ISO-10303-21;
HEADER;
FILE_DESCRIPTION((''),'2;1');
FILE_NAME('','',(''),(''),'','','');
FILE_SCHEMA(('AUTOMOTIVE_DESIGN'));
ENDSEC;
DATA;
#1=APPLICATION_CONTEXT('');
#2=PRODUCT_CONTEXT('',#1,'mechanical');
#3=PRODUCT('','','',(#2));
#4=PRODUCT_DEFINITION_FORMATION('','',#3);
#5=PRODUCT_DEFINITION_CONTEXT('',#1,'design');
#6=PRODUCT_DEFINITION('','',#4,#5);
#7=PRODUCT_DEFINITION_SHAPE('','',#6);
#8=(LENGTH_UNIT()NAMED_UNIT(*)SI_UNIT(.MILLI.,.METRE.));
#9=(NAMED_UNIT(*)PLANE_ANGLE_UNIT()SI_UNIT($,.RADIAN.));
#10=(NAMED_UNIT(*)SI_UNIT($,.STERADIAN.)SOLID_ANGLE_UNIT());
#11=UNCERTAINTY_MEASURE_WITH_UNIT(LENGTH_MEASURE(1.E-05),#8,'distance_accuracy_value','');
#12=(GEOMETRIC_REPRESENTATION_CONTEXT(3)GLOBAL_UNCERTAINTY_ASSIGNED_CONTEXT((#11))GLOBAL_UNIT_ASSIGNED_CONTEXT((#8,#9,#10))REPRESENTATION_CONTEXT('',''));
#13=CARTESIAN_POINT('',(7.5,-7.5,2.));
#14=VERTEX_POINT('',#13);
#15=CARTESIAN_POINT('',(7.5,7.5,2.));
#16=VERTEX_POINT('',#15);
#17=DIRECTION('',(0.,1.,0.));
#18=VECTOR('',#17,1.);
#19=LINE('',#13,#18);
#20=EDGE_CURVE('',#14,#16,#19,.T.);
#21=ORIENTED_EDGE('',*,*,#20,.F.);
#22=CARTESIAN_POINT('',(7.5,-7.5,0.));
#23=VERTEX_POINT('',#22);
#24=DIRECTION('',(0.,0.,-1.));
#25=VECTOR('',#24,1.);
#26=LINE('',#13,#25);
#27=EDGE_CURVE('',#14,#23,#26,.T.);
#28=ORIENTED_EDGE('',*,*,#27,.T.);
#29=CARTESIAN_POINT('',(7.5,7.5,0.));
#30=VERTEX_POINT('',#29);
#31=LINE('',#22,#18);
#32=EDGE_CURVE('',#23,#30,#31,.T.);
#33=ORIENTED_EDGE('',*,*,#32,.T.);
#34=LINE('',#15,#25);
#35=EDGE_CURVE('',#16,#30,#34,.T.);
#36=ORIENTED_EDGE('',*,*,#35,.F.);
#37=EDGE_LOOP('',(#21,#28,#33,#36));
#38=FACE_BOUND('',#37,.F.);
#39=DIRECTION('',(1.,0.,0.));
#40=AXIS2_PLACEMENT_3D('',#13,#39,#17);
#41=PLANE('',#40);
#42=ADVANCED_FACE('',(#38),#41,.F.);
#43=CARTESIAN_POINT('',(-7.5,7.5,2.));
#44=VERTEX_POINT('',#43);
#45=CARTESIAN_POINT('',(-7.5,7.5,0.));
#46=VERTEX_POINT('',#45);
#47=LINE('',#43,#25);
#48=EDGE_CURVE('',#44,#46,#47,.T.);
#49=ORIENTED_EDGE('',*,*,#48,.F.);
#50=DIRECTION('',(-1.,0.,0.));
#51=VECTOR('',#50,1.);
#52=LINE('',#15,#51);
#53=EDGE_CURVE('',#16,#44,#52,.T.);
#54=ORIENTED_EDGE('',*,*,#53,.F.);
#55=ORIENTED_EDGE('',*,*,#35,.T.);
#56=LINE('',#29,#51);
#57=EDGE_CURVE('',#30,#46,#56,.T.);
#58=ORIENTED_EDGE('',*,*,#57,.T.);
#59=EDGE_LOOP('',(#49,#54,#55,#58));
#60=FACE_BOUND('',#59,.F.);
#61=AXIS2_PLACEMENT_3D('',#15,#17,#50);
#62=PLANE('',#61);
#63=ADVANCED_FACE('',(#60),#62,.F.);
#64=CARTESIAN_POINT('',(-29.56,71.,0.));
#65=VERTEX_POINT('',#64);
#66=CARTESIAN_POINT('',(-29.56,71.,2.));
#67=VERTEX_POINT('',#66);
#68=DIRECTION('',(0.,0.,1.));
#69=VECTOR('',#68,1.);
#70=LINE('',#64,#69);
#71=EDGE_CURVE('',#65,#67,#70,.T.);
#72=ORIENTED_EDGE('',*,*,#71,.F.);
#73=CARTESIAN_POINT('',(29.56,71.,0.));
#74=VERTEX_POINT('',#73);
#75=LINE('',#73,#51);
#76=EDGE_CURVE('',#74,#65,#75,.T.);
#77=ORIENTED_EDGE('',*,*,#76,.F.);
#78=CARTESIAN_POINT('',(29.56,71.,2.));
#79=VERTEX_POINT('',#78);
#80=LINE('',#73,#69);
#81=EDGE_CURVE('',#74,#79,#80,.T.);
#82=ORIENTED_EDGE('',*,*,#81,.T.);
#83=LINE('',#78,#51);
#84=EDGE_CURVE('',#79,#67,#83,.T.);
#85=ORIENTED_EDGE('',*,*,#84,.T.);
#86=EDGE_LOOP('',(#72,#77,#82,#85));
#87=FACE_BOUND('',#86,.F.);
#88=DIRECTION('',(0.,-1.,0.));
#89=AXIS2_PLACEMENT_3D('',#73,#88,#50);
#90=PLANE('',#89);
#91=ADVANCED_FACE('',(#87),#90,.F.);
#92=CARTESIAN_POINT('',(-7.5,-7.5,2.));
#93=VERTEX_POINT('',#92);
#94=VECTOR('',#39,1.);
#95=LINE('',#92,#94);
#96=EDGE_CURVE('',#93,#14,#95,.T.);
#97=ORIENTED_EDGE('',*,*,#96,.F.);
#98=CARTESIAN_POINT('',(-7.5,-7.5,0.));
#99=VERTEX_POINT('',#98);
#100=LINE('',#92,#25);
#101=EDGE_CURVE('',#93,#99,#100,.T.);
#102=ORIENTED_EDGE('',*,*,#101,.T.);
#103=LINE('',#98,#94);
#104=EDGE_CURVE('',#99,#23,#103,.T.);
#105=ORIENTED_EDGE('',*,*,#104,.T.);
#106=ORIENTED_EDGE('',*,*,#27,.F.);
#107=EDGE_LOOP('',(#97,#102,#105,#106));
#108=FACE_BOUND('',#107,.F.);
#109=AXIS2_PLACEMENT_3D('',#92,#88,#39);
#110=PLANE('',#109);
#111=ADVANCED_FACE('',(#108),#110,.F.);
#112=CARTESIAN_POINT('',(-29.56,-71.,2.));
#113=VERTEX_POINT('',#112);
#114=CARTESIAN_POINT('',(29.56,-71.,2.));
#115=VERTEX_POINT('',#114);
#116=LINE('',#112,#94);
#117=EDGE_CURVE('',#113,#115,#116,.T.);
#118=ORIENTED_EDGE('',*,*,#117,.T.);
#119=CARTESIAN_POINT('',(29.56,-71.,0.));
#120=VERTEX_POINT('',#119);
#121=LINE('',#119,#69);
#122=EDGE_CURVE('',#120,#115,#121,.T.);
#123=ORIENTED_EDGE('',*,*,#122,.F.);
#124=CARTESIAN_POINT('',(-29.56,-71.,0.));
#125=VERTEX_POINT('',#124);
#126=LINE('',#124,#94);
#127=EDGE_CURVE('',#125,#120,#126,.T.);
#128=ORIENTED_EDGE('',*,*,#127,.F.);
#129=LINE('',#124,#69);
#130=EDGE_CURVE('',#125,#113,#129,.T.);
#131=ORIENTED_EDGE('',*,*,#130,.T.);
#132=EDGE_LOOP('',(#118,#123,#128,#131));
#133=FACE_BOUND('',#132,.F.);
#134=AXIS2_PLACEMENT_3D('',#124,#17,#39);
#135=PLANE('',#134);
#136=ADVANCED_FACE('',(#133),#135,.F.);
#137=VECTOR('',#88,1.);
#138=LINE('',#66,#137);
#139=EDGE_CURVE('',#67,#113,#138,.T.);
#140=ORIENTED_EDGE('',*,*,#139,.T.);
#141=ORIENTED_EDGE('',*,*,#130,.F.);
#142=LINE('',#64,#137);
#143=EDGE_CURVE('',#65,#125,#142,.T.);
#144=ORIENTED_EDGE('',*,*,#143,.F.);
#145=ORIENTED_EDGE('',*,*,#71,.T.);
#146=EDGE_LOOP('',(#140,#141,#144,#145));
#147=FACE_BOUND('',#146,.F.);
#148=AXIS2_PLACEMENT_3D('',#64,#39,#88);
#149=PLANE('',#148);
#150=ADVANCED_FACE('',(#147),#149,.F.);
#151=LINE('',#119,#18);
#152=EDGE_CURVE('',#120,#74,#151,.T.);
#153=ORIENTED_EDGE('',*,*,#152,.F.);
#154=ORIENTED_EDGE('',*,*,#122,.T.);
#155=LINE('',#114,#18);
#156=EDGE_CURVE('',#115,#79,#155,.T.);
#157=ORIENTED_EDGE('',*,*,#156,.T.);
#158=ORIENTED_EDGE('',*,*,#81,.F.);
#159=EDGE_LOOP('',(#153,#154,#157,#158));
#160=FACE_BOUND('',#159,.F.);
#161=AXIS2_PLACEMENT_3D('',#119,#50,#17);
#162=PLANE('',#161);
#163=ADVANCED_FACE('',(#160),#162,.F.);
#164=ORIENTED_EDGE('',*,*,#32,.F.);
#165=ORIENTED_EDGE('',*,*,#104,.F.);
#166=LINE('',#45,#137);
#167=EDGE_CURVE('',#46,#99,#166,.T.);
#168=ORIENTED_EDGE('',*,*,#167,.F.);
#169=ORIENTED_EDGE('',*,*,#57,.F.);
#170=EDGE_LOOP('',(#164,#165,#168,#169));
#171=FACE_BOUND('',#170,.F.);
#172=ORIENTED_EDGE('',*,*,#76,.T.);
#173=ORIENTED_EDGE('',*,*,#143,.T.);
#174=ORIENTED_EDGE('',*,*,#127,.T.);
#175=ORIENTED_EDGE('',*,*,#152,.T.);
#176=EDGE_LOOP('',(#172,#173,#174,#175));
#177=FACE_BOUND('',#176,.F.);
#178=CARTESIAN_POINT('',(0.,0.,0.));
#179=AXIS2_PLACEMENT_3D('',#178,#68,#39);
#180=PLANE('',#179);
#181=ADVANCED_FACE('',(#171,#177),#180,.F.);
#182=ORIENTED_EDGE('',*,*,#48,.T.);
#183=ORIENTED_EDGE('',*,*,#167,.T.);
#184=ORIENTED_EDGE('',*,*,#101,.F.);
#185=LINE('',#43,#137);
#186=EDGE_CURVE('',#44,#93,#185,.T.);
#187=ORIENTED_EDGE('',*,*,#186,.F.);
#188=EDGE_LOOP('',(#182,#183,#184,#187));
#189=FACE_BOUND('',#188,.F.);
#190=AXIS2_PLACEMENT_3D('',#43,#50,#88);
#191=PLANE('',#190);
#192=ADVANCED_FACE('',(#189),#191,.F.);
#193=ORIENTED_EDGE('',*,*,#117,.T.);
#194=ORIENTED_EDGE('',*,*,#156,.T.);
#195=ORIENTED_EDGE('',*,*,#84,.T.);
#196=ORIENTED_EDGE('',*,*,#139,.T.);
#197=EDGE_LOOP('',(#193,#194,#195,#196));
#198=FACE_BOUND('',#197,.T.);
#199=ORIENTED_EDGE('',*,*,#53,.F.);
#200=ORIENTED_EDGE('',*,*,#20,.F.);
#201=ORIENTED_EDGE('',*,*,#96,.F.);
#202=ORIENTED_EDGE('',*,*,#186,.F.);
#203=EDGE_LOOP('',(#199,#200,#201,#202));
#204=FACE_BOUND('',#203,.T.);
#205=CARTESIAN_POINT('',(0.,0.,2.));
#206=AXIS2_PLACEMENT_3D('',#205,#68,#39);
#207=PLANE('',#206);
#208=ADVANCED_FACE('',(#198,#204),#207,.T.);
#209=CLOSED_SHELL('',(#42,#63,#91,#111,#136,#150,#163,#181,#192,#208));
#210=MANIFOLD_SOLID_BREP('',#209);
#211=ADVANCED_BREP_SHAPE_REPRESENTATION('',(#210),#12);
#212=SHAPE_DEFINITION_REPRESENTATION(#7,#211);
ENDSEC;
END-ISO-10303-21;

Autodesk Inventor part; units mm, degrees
ref_plane "YZ Plane" through (0, 0, 0) normal (1, 0, 0) x (0, 1, 0)
ref_plane "XZ Plane" through (0, 0, 0) normal (0, 1, 0) x (-1, 0, 0)
ref_plane "XY Plane" through (0, 0, 0) normal (0, 0, 1) x (1, 0, 0)
sketch "Sketch1" plane through (0, 0, 0) normal (0, 0, 1) x (1, 0, 0)
  line L0 (-29.56, -71) -> (29.56, -71)
  line L1 (29.56, -71) -> (29.56, 71)
  line L2 (29.56, 71) -> (-29.56, 71)
  line L3 (-29.56, 71) -> (-29.56, -71)
  line L4 (-29.56, -71) -> (29.56, 71) construction
  line L5 (29.56, -71) -> (-29.56, 71) construction
  point P0 (0, 0)
  dimension "d0" = 142
  dimension "d1" = 59.12
extrude "Extrusion1" add sketch "Sketch1" along normal blind 2
sketch "Sketch2" plane through (0, 0, 2) normal (0, 0, 1) x (1, 0, 0)
  line L0 (-7.5, -7.5) -> (7.5, -7.5)
  line L1 (7.5, -7.5) -> (7.5, 7.5)
  line L2 (7.5, 7.5) -> (-7.5, 7.5)
  line L3 (-7.5, 7.5) -> (-7.5, -7.5)
  line L4 (-7.5, -7.5) -> (7.5, 7.5) construction
  line L5 (7.5, -7.5) -> (-7.5, 7.5) construction
  point P0 (0, 0)
  dimension "d4" = 15
extrude "Extrusion2" cut sketch "Sketch2" against normal blind 2
properties part number "Back"
